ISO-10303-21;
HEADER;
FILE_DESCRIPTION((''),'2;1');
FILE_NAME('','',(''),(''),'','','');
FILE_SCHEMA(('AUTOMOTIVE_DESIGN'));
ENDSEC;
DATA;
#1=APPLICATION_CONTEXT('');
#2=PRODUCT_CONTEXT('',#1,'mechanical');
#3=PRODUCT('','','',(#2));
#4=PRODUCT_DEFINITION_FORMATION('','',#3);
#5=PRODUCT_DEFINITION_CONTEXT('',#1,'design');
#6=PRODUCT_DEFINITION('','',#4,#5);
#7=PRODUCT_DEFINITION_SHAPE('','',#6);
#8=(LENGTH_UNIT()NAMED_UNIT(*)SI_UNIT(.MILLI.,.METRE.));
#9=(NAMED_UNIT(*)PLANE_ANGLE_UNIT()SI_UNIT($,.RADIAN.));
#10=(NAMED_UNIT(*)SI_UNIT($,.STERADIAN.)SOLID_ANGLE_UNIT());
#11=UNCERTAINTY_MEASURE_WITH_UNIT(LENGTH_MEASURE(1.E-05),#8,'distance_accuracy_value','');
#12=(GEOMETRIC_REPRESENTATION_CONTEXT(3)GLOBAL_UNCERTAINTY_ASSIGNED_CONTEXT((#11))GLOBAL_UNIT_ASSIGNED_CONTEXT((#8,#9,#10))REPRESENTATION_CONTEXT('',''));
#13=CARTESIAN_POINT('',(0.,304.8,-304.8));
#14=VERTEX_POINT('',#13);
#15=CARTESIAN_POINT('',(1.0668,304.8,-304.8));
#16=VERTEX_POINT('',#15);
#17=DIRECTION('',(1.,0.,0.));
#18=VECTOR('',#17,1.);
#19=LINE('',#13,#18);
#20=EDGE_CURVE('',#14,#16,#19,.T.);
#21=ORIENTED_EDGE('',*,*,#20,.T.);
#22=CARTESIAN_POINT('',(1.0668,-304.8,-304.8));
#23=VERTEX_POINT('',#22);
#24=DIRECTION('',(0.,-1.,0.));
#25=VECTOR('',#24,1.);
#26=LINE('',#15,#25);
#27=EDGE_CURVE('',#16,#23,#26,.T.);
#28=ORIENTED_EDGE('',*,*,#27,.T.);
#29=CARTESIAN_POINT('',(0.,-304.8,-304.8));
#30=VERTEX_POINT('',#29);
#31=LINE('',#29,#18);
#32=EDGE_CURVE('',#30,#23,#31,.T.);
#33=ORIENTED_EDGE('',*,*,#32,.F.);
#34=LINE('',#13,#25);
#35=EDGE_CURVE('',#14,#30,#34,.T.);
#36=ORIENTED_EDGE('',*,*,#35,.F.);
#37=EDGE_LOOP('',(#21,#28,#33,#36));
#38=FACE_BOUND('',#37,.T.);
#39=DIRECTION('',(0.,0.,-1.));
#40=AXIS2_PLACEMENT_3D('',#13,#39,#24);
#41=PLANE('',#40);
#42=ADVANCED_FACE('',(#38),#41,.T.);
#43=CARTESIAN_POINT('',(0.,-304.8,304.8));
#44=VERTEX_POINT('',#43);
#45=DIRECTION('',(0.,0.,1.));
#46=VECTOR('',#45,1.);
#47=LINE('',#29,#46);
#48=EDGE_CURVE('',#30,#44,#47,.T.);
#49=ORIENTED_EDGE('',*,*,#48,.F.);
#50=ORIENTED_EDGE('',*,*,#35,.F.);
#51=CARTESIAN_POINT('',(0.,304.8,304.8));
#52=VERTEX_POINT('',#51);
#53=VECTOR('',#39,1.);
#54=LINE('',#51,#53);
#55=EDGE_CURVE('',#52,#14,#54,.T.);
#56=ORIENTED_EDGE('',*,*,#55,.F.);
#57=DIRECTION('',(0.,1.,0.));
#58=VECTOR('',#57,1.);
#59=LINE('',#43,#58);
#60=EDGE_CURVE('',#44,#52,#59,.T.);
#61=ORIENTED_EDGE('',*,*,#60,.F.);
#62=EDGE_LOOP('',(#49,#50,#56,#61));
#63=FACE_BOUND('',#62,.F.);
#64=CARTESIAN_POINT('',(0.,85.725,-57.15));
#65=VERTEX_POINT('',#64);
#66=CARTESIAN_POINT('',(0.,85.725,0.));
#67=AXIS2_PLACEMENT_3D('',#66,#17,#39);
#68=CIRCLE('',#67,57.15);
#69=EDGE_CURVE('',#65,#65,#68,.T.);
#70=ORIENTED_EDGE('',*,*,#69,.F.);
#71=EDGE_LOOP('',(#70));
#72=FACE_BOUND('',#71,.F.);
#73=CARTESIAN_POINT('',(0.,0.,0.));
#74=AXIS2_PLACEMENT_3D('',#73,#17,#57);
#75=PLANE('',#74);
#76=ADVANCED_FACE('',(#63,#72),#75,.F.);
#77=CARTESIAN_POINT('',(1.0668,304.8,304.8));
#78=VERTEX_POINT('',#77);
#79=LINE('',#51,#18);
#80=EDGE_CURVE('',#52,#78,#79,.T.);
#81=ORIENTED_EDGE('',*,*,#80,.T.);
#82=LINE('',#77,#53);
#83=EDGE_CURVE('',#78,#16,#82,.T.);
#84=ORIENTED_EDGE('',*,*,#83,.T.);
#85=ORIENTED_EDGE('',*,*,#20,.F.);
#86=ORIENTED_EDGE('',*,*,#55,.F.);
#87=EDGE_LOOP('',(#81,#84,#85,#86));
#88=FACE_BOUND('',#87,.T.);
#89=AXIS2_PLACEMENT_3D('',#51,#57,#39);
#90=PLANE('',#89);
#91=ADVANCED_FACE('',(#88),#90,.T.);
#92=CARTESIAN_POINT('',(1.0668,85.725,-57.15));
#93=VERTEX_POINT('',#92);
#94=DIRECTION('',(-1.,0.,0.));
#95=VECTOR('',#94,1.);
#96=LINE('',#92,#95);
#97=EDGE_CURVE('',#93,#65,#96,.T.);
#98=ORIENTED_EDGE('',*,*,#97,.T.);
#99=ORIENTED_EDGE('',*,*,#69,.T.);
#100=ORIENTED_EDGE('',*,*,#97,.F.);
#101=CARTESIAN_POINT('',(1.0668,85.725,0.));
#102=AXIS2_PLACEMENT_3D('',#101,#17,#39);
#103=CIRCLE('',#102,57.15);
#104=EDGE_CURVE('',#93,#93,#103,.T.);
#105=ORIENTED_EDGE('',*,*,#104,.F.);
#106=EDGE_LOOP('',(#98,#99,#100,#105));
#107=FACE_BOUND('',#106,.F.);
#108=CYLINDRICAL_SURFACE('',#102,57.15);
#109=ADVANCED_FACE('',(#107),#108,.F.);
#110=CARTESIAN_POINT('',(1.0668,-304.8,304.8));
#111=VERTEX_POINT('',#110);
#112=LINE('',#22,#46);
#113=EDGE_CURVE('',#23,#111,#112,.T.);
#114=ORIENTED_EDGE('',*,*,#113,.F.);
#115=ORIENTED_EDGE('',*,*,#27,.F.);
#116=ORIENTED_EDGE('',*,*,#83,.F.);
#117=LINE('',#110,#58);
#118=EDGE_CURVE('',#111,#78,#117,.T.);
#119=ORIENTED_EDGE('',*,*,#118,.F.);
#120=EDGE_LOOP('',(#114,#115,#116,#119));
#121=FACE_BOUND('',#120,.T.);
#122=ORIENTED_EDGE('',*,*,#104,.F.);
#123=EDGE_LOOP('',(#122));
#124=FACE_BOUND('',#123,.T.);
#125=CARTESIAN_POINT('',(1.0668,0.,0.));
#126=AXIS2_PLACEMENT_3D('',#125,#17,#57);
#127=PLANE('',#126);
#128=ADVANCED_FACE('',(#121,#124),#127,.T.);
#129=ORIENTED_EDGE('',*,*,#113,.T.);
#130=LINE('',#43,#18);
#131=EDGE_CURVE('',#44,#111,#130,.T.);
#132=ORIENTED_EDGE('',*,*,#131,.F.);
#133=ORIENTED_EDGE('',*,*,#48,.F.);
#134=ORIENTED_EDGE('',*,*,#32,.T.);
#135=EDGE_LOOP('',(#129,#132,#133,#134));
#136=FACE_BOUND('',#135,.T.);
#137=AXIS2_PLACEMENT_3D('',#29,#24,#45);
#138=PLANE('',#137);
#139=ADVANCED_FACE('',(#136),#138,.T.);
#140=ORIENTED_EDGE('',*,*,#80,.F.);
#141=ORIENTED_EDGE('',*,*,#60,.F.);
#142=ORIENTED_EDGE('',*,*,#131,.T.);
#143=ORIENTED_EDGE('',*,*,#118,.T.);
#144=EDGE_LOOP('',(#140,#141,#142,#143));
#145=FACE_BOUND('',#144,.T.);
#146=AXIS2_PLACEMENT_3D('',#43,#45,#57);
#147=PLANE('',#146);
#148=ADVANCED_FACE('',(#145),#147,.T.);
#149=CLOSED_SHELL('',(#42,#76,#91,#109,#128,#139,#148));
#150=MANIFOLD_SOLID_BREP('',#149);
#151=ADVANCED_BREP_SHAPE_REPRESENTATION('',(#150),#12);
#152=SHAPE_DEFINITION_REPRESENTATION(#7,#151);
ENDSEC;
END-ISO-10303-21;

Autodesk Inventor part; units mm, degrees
ref_plane "YZ Plane" through (0, 0, 0) normal (1, 0, 0) x (0, 1, 0)
ref_plane "XZ Plane" through (0, 0, 0) normal (0, 1, 0) x (-1, 0, 0)
ref_plane "XY Plane" through (0, 0, 0) normal (0, 0, 1) x (1, 0, 0)
sketch "Sketch1" plane through (0, 0, 0) normal (1, 0, 0) x (0, 1, 0)
  line L0 (-304.8, 304.8) -> (304.8, 304.8)
  line L1 (304.8, 304.8) -> (304.8, -304.8)
  line L2 (304.8, -304.8) -> (-304.8, -304.8)
  line L3 (-304.8, -304.8) -> (-304.8, 304.8)
  line L4 (-304.8, 304.8) -> (304.8, -304.8) construction
  line L5 (304.8, 304.8) -> (-304.8, -304.8) construction
  point P0 (0, 0)
  dimension "d0" = 609.6
  dimension "d1" = 609.6
extrude "Extrusion1" add sketch "Sketch1" along normal blind 1.0668
sketch "Sketch2" plane through (1.0668, 0, 0) normal (1, 0, 0) x (0, 0, -1)
  circle A0 centre (0, 85.725) radius 57.15
  line L0 (-304.8, -304.8) -> (304.8, -304.8) projected
  dimension "d4" = 114.3
  dimension "d7" = 390.525
extrude "Extrusion2" cut sketch "Sketch2" against normal through all
properties part number "2221A_Copper Box Side_Hole_V1" material "Copper"
